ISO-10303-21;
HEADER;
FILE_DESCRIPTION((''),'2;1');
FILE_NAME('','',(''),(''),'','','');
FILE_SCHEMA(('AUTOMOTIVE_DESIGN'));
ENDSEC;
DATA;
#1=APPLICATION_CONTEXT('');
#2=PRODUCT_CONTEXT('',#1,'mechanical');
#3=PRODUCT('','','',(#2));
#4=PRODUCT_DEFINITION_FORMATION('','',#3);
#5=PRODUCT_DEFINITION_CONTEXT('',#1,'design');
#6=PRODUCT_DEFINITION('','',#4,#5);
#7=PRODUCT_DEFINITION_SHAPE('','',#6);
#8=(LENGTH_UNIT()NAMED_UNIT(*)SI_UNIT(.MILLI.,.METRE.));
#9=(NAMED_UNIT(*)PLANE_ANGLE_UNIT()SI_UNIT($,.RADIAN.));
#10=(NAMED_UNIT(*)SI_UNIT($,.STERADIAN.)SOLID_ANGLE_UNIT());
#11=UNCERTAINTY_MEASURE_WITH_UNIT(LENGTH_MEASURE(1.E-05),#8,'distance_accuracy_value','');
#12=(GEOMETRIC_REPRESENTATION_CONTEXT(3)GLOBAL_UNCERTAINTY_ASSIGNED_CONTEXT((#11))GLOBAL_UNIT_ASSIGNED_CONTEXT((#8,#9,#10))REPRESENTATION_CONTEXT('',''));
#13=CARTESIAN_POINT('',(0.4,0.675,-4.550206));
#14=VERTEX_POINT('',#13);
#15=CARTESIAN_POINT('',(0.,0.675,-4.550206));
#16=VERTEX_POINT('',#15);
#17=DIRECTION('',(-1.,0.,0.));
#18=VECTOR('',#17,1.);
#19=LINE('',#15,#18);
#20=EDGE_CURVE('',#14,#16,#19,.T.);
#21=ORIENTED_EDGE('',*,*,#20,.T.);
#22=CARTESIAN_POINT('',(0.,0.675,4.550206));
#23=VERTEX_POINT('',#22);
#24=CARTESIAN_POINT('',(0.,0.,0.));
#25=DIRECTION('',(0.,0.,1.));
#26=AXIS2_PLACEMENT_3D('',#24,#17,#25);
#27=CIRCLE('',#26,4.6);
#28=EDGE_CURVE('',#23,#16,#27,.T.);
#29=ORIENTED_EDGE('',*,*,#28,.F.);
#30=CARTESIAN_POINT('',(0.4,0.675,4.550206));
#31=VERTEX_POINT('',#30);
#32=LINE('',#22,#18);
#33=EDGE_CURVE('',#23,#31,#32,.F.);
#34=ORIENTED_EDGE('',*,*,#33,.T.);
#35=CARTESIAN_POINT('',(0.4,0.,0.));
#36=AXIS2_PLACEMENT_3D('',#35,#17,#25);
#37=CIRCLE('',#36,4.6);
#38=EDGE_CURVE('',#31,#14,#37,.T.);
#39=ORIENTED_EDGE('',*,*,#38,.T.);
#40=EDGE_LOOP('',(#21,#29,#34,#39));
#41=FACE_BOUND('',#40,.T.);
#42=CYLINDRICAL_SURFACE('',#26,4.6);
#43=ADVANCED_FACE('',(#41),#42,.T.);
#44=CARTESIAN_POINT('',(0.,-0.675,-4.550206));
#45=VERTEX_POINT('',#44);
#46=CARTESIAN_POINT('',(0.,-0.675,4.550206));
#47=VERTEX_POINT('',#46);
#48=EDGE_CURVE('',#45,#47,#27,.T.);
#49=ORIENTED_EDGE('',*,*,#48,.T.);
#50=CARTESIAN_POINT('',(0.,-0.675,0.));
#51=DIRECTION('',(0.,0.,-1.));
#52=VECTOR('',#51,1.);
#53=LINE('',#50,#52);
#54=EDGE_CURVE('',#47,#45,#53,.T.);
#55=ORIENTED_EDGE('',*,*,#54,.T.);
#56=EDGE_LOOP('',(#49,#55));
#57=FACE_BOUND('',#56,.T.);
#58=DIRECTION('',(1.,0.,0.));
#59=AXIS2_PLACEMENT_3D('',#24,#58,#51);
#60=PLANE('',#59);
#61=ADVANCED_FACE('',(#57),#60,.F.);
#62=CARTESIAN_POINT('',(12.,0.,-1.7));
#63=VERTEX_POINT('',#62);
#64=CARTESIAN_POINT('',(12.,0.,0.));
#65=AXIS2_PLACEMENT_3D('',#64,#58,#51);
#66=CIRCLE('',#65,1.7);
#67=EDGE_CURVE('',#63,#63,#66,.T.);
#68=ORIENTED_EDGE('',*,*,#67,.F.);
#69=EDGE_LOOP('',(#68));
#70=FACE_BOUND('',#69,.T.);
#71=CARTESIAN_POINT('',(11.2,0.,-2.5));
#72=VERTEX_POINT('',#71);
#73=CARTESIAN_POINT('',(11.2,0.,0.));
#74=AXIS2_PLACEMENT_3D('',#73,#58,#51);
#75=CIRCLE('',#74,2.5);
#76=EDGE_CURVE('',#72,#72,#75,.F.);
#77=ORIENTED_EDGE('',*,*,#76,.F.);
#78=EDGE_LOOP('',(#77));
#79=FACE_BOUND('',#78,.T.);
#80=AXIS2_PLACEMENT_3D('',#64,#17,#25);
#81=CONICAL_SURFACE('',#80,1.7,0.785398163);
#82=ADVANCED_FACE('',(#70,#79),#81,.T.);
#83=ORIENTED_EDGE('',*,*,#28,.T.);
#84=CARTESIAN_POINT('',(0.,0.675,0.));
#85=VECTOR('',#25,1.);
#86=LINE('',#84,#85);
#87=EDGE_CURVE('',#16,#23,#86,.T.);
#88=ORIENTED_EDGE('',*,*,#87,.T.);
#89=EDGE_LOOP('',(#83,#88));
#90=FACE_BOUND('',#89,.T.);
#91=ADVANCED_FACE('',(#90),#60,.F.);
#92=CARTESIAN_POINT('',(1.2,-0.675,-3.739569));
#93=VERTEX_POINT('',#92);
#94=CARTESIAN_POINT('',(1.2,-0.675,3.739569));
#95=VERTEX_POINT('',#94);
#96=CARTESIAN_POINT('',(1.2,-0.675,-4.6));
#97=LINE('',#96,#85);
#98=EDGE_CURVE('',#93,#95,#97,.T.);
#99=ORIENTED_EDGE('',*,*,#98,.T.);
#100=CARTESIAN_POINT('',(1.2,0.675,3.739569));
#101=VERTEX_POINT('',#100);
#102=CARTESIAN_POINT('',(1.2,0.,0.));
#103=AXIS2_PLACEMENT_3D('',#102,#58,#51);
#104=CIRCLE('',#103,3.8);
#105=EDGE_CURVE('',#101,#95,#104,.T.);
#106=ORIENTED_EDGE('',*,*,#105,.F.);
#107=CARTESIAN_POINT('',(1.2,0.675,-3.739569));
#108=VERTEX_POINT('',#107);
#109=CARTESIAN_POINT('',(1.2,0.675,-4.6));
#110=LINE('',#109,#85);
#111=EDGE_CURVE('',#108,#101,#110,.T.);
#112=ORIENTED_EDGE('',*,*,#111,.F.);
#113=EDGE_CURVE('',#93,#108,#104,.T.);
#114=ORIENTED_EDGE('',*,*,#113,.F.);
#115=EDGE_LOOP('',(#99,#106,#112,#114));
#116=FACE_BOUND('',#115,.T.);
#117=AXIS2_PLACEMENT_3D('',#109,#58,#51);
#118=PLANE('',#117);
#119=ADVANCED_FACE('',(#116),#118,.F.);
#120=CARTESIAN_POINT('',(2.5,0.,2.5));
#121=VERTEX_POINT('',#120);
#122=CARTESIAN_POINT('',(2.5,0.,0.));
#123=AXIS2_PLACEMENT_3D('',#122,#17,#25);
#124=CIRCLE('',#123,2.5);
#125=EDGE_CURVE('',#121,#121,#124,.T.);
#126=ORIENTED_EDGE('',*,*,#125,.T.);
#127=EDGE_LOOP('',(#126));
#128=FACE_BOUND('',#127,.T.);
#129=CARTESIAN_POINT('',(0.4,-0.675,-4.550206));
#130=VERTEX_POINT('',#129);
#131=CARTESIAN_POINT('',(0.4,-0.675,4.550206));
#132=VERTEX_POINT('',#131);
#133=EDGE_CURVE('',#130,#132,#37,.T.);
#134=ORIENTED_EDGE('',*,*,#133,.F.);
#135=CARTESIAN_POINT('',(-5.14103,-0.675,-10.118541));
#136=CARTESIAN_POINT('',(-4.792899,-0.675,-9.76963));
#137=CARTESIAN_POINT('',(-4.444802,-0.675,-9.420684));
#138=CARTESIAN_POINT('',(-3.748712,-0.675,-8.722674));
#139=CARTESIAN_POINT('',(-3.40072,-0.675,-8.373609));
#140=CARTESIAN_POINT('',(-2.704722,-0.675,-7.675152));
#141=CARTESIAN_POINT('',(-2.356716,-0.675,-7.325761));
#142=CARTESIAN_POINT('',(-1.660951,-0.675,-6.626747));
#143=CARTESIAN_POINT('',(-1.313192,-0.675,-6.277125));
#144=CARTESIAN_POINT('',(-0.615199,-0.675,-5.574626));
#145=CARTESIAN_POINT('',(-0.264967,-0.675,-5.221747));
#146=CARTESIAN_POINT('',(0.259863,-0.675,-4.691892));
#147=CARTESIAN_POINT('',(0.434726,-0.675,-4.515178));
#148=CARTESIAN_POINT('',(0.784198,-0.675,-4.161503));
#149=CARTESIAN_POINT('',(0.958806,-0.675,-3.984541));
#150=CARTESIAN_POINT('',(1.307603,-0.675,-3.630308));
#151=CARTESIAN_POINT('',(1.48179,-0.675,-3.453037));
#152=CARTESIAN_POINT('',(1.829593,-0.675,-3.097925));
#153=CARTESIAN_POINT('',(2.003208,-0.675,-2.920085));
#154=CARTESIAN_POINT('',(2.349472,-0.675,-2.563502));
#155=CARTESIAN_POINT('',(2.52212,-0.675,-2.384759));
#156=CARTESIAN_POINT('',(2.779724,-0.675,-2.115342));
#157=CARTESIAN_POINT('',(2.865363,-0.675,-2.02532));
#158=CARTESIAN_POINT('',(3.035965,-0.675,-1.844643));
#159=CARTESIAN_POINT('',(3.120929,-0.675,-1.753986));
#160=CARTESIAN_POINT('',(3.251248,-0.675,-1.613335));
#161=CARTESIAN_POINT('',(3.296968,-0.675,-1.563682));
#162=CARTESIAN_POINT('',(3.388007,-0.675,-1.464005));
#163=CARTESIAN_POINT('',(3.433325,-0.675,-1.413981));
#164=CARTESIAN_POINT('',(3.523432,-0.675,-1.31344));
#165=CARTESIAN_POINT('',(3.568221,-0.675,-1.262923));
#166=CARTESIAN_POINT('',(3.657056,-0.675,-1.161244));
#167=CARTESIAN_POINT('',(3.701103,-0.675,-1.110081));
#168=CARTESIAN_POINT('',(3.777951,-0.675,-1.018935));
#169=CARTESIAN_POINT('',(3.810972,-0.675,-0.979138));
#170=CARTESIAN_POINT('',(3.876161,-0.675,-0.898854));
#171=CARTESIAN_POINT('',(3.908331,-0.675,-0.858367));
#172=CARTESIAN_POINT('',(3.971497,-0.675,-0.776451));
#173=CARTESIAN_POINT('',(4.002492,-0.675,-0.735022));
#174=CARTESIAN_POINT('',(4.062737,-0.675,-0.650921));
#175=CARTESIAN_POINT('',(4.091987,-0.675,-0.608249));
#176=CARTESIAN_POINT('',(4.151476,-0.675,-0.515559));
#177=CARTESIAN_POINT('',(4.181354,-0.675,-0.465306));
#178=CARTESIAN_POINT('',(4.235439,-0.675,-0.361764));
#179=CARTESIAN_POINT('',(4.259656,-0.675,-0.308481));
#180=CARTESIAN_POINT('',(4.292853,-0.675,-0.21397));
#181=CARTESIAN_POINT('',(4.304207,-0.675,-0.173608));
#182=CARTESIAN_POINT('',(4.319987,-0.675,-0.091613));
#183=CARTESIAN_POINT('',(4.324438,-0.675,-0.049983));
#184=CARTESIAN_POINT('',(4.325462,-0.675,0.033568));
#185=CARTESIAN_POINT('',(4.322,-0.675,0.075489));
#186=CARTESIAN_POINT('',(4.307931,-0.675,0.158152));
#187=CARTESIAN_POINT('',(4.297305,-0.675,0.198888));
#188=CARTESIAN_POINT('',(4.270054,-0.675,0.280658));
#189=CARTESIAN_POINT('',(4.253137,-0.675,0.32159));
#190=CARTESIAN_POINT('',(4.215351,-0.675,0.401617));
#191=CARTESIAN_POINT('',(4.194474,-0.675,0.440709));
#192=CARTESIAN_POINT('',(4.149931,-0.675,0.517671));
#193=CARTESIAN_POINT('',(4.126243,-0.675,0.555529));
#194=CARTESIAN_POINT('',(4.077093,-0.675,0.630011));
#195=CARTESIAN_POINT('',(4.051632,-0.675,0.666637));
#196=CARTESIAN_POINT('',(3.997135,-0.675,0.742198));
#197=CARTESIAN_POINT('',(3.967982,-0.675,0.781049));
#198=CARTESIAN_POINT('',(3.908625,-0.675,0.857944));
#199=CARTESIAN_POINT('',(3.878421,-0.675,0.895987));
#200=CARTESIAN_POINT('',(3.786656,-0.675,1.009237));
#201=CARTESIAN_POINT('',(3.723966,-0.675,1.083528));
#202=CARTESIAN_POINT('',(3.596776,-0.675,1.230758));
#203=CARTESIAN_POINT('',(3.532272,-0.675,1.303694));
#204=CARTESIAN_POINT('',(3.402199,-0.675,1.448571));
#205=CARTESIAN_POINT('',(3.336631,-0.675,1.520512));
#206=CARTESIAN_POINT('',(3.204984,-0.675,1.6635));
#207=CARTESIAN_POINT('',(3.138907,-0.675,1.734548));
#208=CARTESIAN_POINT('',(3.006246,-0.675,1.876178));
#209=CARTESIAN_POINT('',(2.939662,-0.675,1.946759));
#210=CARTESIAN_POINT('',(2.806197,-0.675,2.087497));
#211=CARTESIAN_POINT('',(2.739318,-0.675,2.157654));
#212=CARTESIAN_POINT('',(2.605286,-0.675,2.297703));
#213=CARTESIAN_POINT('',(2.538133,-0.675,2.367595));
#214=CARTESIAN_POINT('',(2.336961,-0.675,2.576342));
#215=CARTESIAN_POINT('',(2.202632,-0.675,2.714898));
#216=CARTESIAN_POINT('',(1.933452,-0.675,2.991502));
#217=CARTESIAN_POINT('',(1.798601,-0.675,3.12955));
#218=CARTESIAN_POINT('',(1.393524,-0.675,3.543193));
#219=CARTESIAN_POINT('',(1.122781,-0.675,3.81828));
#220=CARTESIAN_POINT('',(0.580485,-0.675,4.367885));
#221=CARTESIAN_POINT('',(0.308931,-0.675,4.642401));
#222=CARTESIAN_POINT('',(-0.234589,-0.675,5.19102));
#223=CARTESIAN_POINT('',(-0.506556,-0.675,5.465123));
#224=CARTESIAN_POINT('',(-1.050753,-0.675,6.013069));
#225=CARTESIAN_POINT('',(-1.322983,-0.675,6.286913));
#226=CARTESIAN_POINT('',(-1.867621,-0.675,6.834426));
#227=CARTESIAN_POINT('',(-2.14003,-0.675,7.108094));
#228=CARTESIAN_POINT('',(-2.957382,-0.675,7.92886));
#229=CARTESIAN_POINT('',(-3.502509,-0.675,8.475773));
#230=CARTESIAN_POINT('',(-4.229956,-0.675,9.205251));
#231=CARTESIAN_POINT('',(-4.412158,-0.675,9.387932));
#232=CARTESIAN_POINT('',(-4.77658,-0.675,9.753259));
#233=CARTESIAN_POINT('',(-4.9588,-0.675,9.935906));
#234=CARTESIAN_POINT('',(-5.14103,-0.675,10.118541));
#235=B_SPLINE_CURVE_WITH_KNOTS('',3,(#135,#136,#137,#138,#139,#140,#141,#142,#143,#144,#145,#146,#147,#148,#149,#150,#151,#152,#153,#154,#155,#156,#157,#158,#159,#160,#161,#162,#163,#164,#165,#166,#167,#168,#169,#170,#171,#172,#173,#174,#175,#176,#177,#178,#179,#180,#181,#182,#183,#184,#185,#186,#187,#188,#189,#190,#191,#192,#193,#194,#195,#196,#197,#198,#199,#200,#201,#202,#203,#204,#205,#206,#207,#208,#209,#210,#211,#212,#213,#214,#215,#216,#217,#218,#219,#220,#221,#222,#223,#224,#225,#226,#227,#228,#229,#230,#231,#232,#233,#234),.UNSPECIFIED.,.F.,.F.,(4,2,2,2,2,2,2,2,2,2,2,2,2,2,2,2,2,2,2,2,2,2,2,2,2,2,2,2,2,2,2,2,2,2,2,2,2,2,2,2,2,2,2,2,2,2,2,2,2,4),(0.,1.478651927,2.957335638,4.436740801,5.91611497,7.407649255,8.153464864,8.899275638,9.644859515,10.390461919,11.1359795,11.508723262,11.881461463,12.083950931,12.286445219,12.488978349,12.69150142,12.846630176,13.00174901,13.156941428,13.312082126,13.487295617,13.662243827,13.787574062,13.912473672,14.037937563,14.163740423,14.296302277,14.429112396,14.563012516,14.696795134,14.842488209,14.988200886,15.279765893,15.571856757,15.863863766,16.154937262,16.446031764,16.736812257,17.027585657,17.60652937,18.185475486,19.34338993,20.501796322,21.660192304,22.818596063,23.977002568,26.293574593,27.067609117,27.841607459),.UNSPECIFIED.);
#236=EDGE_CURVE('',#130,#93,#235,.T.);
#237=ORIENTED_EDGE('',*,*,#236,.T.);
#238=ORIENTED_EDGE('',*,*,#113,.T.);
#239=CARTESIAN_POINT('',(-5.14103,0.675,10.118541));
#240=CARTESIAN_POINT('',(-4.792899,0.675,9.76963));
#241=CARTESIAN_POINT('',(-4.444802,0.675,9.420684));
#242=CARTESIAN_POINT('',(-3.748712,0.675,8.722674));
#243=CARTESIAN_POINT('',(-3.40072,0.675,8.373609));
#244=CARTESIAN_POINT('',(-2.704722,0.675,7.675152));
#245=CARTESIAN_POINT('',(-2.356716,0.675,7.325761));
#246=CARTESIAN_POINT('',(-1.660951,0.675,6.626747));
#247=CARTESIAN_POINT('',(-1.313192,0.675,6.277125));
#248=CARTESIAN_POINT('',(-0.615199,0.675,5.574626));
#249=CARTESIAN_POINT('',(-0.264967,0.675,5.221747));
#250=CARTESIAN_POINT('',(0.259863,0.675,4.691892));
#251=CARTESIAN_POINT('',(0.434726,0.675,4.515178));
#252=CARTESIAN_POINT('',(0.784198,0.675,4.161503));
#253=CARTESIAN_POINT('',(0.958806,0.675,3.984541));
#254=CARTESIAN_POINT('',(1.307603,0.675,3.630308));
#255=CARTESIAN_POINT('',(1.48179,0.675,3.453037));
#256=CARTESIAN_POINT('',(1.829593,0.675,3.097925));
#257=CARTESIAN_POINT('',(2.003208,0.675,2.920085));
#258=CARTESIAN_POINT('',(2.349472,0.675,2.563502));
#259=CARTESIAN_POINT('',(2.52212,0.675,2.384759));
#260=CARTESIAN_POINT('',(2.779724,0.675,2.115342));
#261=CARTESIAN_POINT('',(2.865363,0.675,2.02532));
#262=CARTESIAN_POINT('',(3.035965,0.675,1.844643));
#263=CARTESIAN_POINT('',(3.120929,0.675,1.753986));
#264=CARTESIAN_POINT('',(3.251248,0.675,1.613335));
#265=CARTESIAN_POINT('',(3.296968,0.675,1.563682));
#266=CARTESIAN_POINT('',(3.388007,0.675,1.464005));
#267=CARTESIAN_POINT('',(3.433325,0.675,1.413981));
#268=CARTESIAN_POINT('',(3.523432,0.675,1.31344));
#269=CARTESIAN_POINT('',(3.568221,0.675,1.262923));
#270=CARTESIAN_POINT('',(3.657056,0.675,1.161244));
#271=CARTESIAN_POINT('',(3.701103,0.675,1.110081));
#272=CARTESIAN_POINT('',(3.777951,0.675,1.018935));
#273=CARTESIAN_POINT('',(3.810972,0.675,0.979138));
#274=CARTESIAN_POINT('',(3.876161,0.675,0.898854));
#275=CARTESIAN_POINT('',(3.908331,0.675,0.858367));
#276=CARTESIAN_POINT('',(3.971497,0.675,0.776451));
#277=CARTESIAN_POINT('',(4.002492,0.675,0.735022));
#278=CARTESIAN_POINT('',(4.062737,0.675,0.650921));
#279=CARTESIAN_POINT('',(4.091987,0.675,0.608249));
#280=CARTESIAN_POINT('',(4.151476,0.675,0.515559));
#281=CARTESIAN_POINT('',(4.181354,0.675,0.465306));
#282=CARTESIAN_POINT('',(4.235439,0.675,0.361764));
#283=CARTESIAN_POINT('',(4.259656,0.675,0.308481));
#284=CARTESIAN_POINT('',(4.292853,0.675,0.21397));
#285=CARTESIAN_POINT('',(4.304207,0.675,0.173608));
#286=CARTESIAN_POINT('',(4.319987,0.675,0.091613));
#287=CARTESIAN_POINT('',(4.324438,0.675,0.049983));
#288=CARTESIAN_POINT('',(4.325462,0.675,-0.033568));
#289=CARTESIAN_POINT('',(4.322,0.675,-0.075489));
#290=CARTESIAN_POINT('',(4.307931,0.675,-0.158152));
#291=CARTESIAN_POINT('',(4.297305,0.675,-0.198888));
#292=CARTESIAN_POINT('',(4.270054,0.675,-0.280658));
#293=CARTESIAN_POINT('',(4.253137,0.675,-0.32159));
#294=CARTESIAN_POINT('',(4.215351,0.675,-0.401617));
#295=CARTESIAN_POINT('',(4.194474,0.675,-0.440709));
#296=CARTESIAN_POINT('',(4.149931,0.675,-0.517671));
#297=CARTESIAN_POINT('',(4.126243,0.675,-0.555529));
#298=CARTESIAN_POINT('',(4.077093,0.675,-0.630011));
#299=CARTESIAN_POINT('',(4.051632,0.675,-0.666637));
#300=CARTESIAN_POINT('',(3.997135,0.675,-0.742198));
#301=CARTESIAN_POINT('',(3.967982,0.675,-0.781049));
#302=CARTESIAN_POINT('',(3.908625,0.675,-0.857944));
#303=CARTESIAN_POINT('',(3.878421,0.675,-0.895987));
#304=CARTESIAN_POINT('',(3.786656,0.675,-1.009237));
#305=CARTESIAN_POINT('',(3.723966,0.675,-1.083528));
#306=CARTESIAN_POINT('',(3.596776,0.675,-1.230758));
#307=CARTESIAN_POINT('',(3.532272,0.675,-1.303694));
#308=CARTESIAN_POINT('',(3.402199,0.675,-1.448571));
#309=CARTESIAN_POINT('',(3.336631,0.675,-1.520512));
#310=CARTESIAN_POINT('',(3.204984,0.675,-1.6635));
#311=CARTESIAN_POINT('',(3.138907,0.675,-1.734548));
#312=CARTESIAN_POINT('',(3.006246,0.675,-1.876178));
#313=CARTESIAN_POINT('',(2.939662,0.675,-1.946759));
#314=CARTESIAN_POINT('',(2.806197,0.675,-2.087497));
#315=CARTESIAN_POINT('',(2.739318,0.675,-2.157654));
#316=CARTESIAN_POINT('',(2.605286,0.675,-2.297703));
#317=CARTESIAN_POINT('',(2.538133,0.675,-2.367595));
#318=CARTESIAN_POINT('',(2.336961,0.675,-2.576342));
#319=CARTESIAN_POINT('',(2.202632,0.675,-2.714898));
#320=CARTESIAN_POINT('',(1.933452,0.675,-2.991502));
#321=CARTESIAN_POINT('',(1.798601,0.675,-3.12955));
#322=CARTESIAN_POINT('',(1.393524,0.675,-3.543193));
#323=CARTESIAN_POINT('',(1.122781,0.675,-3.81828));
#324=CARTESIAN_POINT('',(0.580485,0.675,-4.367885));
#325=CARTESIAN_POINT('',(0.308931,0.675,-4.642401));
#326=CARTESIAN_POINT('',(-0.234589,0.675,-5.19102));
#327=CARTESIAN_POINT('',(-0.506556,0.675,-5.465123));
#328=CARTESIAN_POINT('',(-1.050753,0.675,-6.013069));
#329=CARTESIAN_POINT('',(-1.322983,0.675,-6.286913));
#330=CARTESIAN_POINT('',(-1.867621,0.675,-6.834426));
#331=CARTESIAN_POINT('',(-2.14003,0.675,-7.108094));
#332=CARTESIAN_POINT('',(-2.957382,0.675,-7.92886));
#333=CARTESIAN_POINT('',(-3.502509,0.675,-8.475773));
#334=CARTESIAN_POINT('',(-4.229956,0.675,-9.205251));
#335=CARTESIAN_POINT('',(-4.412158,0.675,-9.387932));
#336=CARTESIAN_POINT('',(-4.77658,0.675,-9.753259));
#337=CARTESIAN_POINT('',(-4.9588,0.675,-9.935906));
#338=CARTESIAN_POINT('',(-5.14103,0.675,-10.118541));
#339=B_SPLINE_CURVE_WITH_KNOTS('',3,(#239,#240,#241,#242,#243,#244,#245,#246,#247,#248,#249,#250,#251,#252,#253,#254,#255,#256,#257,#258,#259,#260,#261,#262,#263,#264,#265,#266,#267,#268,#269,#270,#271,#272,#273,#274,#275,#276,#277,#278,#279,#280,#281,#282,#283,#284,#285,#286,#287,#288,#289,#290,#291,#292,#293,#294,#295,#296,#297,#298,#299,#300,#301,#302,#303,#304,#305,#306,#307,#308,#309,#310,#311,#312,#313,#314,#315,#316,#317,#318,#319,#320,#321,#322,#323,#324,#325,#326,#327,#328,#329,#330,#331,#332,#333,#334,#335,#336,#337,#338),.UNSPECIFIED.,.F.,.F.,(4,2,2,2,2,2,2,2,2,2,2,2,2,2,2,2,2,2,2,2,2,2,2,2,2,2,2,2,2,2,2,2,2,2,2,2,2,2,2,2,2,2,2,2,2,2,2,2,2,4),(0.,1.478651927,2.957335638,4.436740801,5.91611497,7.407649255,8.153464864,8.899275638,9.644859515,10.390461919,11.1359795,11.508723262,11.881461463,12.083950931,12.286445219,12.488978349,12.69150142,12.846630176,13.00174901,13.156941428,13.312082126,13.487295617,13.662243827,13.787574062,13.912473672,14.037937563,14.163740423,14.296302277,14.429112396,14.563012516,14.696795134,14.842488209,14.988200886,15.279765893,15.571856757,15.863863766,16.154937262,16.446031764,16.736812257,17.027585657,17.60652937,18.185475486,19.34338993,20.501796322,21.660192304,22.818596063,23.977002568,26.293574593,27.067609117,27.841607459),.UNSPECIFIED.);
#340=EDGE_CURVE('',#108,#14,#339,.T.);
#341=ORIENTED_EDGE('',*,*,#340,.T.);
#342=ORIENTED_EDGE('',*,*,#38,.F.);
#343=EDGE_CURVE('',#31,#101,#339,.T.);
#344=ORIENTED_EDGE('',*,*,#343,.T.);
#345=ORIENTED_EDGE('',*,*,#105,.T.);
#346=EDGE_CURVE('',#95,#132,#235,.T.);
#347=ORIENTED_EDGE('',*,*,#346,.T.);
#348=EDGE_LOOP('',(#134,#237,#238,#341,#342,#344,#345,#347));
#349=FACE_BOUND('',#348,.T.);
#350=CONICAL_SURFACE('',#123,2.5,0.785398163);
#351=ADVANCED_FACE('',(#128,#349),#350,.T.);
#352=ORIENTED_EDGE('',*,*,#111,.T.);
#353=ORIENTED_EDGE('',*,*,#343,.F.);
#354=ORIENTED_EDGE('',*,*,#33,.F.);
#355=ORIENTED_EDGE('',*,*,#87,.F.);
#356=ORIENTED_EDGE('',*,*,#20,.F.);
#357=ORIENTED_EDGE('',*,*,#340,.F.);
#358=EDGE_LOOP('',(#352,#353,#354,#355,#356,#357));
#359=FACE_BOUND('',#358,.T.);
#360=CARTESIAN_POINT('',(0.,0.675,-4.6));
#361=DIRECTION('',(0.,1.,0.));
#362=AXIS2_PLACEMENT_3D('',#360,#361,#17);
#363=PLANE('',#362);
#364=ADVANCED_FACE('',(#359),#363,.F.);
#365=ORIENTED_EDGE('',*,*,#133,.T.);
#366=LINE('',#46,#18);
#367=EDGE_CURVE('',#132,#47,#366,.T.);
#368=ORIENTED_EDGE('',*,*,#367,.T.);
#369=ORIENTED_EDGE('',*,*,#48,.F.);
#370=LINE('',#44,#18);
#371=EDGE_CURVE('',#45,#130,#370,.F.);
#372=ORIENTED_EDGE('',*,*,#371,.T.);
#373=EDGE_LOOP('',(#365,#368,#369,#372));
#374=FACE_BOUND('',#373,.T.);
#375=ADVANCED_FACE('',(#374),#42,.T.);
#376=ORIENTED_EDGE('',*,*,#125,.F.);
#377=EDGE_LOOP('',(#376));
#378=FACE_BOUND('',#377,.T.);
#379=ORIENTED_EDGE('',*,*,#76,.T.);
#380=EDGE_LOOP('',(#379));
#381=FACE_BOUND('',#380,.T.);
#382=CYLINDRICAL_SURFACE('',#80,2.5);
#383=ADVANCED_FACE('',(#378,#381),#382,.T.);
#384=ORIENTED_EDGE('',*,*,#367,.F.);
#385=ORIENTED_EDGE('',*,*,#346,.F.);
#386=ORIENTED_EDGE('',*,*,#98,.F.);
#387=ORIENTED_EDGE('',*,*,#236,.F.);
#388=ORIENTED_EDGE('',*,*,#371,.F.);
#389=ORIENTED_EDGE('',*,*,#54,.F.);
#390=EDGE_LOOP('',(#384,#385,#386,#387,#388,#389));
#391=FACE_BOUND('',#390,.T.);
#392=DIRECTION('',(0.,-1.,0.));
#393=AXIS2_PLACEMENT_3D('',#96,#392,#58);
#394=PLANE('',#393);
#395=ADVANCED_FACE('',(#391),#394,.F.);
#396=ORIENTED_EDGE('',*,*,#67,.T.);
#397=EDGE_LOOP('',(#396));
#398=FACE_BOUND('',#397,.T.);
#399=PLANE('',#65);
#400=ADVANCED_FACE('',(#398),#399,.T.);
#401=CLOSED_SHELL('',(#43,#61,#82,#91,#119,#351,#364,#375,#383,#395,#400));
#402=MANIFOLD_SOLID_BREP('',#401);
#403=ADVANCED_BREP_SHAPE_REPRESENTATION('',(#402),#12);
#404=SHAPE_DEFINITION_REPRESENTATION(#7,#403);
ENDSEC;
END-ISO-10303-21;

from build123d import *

# Parameters (mm, degrees)
SKETCH_1_R               = 2.5
EXTRUDE_654_DEPTH        = 12
CHAMFER_1_SIZE           = 0.8
CUT_EXTRUDE_1_DEPTH      = 14.649908425
CUT_EXTRUDE_1_DEPTH_BACK = 14.649908425
SKETCH_4_W               = 1.2
SKETCH_4_H               = 1.35


with BuildPart() as part:
    # Эскиз1 → Extrude 654 (new body)
    with BuildSketch(Plane(origin=(0, 0, 0), x_dir=(0, 0, -1), z_dir=(1, 0, 0))):
        Circle(SKETCH_1_R)
    extrude(amount=EXTRUDE_654_DEPTH)

    # Фаска1
    chamfer_1_edges = [part.edges().sort_by_distance(p)[0] for p in [
        (12, 0, 2.5),
    ]]
    chamfer(chamfer_1_edges, length=CHAMFER_1_SIZE)

    # Эскиз2 → Бобышка-Повернуть1 (revolve)
    with BuildSketch(Plane.XY, mode=Mode.PRIVATE) as revolve_1_sk:
        Polygon((0, 4.6), (0.4, 4.6), (2.5, 2.5), (2.5, 0), (0, 0), align=None)
    revolve(revolve_1_sk.sketch.rotate(Axis((0, 0, 0), (1, 0, 0)), 90), axis=Axis((0, 0, 0), (1, 0, 0)))

    # Эскиз4 → Вырез-Вытянуть1 (cut, two sides: drawn at the far end of the back side and taken through both)
    with BuildSketch(Plane.XY.offset(-CUT_EXTRUDE_1_DEPTH_BACK)):
        with Locations((0.6, 0)):
            Rectangle(SKETCH_4_W, SKETCH_4_H)
    extrude(amount=CUT_EXTRUDE_1_DEPTH + CUT_EXTRUDE_1_DEPTH_BACK, mode=Mode.SUBTRACT)


solid = part.part
